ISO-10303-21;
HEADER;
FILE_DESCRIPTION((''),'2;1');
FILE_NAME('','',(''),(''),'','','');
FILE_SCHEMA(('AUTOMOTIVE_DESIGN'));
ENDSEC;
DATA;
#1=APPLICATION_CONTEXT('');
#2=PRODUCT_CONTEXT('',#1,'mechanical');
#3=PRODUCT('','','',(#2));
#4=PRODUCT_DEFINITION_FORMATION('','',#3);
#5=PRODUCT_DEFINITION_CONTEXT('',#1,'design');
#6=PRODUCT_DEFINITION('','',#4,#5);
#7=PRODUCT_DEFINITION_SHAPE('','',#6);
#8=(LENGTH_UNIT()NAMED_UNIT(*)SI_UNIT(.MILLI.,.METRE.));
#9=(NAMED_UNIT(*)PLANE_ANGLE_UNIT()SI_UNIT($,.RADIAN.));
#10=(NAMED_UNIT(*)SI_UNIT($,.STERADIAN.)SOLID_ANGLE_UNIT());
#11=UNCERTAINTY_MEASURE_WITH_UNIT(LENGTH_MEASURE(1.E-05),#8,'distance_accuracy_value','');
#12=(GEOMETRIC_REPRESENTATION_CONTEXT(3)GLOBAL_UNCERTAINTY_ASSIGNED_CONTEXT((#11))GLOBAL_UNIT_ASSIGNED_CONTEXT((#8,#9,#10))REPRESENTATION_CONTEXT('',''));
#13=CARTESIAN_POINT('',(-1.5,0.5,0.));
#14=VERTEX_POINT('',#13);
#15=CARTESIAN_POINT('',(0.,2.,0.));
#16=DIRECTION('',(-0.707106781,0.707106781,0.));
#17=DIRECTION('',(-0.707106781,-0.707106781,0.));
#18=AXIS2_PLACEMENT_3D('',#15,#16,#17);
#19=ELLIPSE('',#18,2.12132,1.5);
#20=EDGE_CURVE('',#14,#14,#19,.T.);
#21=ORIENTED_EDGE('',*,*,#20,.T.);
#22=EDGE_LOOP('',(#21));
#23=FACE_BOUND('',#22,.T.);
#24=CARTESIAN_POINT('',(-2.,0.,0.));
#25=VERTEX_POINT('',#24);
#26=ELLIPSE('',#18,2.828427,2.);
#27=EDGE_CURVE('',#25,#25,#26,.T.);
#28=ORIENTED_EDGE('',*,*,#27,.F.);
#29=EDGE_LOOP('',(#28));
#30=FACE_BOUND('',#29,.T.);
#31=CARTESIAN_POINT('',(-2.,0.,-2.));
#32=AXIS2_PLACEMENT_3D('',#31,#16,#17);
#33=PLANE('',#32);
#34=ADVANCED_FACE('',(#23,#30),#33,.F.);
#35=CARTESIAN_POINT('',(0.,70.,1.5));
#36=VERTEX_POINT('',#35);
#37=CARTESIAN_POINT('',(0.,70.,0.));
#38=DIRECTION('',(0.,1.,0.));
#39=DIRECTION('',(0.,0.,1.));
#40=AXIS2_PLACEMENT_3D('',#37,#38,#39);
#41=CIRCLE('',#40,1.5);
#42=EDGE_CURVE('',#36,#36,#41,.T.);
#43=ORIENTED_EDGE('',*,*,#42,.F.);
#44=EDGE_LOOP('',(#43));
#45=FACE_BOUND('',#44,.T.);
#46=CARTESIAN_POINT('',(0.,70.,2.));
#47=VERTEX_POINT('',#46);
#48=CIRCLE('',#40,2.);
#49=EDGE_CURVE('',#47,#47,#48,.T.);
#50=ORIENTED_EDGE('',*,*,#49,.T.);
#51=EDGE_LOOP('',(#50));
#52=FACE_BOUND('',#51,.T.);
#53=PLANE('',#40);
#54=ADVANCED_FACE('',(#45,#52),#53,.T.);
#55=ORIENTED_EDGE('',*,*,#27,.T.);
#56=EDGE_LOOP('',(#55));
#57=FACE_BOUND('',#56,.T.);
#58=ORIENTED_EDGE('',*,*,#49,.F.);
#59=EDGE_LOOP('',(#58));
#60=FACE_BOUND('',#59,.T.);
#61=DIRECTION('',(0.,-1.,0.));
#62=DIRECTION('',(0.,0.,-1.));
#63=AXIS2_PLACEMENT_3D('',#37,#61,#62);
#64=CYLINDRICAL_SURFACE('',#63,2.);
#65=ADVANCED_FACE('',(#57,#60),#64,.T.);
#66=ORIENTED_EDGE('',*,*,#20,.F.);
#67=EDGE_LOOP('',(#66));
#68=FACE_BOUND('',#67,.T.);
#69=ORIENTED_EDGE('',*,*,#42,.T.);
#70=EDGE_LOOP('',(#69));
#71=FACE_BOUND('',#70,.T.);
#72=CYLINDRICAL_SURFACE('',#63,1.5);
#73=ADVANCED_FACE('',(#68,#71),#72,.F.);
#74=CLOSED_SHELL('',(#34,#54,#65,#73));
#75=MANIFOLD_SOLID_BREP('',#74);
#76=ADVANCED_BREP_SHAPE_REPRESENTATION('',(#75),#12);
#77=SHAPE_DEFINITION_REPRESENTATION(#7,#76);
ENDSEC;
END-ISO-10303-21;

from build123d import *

# Parameters (mm, degrees)
SKETCH_1_R               = 2
SKETCH_1_R_2             = 1.5
EXTRUDE_1_DEPTH          = 70
CUT_EXTRUDE_1_DEPTH      = 3
CUT_EXTRUDE_1_DEPTH_BACK = 3


with BuildPart() as part:
    # Эскиз1 → Бобышка-Вытянуть1 (new body)
    with BuildSketch(Plane(origin=(0, 0, 0), x_dir=(1, 0, 0), z_dir=(0, 1, 0))):
        Circle(SKETCH_1_R)
        Circle(SKETCH_1_R_2, mode=Mode.SUBTRACT)
    extrude(amount=EXTRUDE_1_DEPTH)

    # Эскиз2 → Вырез-Вытянуть1 (cut, two sides)
    with BuildSketch(Plane.XY) as cut_extrude_1_sk:
        Polygon((-2, 0), (2.956455922, 4.956455922), (2.956455922, -0.426685723), (-2, -0.426685723), align=None)
    extrude(amount=CUT_EXTRUDE_1_DEPTH, mode=Mode.SUBTRACT)
    extrude(cut_extrude_1_sk.sketch, amount=-CUT_EXTRUDE_1_DEPTH_BACK, mode=Mode.SUBTRACT)


solid = part.part
